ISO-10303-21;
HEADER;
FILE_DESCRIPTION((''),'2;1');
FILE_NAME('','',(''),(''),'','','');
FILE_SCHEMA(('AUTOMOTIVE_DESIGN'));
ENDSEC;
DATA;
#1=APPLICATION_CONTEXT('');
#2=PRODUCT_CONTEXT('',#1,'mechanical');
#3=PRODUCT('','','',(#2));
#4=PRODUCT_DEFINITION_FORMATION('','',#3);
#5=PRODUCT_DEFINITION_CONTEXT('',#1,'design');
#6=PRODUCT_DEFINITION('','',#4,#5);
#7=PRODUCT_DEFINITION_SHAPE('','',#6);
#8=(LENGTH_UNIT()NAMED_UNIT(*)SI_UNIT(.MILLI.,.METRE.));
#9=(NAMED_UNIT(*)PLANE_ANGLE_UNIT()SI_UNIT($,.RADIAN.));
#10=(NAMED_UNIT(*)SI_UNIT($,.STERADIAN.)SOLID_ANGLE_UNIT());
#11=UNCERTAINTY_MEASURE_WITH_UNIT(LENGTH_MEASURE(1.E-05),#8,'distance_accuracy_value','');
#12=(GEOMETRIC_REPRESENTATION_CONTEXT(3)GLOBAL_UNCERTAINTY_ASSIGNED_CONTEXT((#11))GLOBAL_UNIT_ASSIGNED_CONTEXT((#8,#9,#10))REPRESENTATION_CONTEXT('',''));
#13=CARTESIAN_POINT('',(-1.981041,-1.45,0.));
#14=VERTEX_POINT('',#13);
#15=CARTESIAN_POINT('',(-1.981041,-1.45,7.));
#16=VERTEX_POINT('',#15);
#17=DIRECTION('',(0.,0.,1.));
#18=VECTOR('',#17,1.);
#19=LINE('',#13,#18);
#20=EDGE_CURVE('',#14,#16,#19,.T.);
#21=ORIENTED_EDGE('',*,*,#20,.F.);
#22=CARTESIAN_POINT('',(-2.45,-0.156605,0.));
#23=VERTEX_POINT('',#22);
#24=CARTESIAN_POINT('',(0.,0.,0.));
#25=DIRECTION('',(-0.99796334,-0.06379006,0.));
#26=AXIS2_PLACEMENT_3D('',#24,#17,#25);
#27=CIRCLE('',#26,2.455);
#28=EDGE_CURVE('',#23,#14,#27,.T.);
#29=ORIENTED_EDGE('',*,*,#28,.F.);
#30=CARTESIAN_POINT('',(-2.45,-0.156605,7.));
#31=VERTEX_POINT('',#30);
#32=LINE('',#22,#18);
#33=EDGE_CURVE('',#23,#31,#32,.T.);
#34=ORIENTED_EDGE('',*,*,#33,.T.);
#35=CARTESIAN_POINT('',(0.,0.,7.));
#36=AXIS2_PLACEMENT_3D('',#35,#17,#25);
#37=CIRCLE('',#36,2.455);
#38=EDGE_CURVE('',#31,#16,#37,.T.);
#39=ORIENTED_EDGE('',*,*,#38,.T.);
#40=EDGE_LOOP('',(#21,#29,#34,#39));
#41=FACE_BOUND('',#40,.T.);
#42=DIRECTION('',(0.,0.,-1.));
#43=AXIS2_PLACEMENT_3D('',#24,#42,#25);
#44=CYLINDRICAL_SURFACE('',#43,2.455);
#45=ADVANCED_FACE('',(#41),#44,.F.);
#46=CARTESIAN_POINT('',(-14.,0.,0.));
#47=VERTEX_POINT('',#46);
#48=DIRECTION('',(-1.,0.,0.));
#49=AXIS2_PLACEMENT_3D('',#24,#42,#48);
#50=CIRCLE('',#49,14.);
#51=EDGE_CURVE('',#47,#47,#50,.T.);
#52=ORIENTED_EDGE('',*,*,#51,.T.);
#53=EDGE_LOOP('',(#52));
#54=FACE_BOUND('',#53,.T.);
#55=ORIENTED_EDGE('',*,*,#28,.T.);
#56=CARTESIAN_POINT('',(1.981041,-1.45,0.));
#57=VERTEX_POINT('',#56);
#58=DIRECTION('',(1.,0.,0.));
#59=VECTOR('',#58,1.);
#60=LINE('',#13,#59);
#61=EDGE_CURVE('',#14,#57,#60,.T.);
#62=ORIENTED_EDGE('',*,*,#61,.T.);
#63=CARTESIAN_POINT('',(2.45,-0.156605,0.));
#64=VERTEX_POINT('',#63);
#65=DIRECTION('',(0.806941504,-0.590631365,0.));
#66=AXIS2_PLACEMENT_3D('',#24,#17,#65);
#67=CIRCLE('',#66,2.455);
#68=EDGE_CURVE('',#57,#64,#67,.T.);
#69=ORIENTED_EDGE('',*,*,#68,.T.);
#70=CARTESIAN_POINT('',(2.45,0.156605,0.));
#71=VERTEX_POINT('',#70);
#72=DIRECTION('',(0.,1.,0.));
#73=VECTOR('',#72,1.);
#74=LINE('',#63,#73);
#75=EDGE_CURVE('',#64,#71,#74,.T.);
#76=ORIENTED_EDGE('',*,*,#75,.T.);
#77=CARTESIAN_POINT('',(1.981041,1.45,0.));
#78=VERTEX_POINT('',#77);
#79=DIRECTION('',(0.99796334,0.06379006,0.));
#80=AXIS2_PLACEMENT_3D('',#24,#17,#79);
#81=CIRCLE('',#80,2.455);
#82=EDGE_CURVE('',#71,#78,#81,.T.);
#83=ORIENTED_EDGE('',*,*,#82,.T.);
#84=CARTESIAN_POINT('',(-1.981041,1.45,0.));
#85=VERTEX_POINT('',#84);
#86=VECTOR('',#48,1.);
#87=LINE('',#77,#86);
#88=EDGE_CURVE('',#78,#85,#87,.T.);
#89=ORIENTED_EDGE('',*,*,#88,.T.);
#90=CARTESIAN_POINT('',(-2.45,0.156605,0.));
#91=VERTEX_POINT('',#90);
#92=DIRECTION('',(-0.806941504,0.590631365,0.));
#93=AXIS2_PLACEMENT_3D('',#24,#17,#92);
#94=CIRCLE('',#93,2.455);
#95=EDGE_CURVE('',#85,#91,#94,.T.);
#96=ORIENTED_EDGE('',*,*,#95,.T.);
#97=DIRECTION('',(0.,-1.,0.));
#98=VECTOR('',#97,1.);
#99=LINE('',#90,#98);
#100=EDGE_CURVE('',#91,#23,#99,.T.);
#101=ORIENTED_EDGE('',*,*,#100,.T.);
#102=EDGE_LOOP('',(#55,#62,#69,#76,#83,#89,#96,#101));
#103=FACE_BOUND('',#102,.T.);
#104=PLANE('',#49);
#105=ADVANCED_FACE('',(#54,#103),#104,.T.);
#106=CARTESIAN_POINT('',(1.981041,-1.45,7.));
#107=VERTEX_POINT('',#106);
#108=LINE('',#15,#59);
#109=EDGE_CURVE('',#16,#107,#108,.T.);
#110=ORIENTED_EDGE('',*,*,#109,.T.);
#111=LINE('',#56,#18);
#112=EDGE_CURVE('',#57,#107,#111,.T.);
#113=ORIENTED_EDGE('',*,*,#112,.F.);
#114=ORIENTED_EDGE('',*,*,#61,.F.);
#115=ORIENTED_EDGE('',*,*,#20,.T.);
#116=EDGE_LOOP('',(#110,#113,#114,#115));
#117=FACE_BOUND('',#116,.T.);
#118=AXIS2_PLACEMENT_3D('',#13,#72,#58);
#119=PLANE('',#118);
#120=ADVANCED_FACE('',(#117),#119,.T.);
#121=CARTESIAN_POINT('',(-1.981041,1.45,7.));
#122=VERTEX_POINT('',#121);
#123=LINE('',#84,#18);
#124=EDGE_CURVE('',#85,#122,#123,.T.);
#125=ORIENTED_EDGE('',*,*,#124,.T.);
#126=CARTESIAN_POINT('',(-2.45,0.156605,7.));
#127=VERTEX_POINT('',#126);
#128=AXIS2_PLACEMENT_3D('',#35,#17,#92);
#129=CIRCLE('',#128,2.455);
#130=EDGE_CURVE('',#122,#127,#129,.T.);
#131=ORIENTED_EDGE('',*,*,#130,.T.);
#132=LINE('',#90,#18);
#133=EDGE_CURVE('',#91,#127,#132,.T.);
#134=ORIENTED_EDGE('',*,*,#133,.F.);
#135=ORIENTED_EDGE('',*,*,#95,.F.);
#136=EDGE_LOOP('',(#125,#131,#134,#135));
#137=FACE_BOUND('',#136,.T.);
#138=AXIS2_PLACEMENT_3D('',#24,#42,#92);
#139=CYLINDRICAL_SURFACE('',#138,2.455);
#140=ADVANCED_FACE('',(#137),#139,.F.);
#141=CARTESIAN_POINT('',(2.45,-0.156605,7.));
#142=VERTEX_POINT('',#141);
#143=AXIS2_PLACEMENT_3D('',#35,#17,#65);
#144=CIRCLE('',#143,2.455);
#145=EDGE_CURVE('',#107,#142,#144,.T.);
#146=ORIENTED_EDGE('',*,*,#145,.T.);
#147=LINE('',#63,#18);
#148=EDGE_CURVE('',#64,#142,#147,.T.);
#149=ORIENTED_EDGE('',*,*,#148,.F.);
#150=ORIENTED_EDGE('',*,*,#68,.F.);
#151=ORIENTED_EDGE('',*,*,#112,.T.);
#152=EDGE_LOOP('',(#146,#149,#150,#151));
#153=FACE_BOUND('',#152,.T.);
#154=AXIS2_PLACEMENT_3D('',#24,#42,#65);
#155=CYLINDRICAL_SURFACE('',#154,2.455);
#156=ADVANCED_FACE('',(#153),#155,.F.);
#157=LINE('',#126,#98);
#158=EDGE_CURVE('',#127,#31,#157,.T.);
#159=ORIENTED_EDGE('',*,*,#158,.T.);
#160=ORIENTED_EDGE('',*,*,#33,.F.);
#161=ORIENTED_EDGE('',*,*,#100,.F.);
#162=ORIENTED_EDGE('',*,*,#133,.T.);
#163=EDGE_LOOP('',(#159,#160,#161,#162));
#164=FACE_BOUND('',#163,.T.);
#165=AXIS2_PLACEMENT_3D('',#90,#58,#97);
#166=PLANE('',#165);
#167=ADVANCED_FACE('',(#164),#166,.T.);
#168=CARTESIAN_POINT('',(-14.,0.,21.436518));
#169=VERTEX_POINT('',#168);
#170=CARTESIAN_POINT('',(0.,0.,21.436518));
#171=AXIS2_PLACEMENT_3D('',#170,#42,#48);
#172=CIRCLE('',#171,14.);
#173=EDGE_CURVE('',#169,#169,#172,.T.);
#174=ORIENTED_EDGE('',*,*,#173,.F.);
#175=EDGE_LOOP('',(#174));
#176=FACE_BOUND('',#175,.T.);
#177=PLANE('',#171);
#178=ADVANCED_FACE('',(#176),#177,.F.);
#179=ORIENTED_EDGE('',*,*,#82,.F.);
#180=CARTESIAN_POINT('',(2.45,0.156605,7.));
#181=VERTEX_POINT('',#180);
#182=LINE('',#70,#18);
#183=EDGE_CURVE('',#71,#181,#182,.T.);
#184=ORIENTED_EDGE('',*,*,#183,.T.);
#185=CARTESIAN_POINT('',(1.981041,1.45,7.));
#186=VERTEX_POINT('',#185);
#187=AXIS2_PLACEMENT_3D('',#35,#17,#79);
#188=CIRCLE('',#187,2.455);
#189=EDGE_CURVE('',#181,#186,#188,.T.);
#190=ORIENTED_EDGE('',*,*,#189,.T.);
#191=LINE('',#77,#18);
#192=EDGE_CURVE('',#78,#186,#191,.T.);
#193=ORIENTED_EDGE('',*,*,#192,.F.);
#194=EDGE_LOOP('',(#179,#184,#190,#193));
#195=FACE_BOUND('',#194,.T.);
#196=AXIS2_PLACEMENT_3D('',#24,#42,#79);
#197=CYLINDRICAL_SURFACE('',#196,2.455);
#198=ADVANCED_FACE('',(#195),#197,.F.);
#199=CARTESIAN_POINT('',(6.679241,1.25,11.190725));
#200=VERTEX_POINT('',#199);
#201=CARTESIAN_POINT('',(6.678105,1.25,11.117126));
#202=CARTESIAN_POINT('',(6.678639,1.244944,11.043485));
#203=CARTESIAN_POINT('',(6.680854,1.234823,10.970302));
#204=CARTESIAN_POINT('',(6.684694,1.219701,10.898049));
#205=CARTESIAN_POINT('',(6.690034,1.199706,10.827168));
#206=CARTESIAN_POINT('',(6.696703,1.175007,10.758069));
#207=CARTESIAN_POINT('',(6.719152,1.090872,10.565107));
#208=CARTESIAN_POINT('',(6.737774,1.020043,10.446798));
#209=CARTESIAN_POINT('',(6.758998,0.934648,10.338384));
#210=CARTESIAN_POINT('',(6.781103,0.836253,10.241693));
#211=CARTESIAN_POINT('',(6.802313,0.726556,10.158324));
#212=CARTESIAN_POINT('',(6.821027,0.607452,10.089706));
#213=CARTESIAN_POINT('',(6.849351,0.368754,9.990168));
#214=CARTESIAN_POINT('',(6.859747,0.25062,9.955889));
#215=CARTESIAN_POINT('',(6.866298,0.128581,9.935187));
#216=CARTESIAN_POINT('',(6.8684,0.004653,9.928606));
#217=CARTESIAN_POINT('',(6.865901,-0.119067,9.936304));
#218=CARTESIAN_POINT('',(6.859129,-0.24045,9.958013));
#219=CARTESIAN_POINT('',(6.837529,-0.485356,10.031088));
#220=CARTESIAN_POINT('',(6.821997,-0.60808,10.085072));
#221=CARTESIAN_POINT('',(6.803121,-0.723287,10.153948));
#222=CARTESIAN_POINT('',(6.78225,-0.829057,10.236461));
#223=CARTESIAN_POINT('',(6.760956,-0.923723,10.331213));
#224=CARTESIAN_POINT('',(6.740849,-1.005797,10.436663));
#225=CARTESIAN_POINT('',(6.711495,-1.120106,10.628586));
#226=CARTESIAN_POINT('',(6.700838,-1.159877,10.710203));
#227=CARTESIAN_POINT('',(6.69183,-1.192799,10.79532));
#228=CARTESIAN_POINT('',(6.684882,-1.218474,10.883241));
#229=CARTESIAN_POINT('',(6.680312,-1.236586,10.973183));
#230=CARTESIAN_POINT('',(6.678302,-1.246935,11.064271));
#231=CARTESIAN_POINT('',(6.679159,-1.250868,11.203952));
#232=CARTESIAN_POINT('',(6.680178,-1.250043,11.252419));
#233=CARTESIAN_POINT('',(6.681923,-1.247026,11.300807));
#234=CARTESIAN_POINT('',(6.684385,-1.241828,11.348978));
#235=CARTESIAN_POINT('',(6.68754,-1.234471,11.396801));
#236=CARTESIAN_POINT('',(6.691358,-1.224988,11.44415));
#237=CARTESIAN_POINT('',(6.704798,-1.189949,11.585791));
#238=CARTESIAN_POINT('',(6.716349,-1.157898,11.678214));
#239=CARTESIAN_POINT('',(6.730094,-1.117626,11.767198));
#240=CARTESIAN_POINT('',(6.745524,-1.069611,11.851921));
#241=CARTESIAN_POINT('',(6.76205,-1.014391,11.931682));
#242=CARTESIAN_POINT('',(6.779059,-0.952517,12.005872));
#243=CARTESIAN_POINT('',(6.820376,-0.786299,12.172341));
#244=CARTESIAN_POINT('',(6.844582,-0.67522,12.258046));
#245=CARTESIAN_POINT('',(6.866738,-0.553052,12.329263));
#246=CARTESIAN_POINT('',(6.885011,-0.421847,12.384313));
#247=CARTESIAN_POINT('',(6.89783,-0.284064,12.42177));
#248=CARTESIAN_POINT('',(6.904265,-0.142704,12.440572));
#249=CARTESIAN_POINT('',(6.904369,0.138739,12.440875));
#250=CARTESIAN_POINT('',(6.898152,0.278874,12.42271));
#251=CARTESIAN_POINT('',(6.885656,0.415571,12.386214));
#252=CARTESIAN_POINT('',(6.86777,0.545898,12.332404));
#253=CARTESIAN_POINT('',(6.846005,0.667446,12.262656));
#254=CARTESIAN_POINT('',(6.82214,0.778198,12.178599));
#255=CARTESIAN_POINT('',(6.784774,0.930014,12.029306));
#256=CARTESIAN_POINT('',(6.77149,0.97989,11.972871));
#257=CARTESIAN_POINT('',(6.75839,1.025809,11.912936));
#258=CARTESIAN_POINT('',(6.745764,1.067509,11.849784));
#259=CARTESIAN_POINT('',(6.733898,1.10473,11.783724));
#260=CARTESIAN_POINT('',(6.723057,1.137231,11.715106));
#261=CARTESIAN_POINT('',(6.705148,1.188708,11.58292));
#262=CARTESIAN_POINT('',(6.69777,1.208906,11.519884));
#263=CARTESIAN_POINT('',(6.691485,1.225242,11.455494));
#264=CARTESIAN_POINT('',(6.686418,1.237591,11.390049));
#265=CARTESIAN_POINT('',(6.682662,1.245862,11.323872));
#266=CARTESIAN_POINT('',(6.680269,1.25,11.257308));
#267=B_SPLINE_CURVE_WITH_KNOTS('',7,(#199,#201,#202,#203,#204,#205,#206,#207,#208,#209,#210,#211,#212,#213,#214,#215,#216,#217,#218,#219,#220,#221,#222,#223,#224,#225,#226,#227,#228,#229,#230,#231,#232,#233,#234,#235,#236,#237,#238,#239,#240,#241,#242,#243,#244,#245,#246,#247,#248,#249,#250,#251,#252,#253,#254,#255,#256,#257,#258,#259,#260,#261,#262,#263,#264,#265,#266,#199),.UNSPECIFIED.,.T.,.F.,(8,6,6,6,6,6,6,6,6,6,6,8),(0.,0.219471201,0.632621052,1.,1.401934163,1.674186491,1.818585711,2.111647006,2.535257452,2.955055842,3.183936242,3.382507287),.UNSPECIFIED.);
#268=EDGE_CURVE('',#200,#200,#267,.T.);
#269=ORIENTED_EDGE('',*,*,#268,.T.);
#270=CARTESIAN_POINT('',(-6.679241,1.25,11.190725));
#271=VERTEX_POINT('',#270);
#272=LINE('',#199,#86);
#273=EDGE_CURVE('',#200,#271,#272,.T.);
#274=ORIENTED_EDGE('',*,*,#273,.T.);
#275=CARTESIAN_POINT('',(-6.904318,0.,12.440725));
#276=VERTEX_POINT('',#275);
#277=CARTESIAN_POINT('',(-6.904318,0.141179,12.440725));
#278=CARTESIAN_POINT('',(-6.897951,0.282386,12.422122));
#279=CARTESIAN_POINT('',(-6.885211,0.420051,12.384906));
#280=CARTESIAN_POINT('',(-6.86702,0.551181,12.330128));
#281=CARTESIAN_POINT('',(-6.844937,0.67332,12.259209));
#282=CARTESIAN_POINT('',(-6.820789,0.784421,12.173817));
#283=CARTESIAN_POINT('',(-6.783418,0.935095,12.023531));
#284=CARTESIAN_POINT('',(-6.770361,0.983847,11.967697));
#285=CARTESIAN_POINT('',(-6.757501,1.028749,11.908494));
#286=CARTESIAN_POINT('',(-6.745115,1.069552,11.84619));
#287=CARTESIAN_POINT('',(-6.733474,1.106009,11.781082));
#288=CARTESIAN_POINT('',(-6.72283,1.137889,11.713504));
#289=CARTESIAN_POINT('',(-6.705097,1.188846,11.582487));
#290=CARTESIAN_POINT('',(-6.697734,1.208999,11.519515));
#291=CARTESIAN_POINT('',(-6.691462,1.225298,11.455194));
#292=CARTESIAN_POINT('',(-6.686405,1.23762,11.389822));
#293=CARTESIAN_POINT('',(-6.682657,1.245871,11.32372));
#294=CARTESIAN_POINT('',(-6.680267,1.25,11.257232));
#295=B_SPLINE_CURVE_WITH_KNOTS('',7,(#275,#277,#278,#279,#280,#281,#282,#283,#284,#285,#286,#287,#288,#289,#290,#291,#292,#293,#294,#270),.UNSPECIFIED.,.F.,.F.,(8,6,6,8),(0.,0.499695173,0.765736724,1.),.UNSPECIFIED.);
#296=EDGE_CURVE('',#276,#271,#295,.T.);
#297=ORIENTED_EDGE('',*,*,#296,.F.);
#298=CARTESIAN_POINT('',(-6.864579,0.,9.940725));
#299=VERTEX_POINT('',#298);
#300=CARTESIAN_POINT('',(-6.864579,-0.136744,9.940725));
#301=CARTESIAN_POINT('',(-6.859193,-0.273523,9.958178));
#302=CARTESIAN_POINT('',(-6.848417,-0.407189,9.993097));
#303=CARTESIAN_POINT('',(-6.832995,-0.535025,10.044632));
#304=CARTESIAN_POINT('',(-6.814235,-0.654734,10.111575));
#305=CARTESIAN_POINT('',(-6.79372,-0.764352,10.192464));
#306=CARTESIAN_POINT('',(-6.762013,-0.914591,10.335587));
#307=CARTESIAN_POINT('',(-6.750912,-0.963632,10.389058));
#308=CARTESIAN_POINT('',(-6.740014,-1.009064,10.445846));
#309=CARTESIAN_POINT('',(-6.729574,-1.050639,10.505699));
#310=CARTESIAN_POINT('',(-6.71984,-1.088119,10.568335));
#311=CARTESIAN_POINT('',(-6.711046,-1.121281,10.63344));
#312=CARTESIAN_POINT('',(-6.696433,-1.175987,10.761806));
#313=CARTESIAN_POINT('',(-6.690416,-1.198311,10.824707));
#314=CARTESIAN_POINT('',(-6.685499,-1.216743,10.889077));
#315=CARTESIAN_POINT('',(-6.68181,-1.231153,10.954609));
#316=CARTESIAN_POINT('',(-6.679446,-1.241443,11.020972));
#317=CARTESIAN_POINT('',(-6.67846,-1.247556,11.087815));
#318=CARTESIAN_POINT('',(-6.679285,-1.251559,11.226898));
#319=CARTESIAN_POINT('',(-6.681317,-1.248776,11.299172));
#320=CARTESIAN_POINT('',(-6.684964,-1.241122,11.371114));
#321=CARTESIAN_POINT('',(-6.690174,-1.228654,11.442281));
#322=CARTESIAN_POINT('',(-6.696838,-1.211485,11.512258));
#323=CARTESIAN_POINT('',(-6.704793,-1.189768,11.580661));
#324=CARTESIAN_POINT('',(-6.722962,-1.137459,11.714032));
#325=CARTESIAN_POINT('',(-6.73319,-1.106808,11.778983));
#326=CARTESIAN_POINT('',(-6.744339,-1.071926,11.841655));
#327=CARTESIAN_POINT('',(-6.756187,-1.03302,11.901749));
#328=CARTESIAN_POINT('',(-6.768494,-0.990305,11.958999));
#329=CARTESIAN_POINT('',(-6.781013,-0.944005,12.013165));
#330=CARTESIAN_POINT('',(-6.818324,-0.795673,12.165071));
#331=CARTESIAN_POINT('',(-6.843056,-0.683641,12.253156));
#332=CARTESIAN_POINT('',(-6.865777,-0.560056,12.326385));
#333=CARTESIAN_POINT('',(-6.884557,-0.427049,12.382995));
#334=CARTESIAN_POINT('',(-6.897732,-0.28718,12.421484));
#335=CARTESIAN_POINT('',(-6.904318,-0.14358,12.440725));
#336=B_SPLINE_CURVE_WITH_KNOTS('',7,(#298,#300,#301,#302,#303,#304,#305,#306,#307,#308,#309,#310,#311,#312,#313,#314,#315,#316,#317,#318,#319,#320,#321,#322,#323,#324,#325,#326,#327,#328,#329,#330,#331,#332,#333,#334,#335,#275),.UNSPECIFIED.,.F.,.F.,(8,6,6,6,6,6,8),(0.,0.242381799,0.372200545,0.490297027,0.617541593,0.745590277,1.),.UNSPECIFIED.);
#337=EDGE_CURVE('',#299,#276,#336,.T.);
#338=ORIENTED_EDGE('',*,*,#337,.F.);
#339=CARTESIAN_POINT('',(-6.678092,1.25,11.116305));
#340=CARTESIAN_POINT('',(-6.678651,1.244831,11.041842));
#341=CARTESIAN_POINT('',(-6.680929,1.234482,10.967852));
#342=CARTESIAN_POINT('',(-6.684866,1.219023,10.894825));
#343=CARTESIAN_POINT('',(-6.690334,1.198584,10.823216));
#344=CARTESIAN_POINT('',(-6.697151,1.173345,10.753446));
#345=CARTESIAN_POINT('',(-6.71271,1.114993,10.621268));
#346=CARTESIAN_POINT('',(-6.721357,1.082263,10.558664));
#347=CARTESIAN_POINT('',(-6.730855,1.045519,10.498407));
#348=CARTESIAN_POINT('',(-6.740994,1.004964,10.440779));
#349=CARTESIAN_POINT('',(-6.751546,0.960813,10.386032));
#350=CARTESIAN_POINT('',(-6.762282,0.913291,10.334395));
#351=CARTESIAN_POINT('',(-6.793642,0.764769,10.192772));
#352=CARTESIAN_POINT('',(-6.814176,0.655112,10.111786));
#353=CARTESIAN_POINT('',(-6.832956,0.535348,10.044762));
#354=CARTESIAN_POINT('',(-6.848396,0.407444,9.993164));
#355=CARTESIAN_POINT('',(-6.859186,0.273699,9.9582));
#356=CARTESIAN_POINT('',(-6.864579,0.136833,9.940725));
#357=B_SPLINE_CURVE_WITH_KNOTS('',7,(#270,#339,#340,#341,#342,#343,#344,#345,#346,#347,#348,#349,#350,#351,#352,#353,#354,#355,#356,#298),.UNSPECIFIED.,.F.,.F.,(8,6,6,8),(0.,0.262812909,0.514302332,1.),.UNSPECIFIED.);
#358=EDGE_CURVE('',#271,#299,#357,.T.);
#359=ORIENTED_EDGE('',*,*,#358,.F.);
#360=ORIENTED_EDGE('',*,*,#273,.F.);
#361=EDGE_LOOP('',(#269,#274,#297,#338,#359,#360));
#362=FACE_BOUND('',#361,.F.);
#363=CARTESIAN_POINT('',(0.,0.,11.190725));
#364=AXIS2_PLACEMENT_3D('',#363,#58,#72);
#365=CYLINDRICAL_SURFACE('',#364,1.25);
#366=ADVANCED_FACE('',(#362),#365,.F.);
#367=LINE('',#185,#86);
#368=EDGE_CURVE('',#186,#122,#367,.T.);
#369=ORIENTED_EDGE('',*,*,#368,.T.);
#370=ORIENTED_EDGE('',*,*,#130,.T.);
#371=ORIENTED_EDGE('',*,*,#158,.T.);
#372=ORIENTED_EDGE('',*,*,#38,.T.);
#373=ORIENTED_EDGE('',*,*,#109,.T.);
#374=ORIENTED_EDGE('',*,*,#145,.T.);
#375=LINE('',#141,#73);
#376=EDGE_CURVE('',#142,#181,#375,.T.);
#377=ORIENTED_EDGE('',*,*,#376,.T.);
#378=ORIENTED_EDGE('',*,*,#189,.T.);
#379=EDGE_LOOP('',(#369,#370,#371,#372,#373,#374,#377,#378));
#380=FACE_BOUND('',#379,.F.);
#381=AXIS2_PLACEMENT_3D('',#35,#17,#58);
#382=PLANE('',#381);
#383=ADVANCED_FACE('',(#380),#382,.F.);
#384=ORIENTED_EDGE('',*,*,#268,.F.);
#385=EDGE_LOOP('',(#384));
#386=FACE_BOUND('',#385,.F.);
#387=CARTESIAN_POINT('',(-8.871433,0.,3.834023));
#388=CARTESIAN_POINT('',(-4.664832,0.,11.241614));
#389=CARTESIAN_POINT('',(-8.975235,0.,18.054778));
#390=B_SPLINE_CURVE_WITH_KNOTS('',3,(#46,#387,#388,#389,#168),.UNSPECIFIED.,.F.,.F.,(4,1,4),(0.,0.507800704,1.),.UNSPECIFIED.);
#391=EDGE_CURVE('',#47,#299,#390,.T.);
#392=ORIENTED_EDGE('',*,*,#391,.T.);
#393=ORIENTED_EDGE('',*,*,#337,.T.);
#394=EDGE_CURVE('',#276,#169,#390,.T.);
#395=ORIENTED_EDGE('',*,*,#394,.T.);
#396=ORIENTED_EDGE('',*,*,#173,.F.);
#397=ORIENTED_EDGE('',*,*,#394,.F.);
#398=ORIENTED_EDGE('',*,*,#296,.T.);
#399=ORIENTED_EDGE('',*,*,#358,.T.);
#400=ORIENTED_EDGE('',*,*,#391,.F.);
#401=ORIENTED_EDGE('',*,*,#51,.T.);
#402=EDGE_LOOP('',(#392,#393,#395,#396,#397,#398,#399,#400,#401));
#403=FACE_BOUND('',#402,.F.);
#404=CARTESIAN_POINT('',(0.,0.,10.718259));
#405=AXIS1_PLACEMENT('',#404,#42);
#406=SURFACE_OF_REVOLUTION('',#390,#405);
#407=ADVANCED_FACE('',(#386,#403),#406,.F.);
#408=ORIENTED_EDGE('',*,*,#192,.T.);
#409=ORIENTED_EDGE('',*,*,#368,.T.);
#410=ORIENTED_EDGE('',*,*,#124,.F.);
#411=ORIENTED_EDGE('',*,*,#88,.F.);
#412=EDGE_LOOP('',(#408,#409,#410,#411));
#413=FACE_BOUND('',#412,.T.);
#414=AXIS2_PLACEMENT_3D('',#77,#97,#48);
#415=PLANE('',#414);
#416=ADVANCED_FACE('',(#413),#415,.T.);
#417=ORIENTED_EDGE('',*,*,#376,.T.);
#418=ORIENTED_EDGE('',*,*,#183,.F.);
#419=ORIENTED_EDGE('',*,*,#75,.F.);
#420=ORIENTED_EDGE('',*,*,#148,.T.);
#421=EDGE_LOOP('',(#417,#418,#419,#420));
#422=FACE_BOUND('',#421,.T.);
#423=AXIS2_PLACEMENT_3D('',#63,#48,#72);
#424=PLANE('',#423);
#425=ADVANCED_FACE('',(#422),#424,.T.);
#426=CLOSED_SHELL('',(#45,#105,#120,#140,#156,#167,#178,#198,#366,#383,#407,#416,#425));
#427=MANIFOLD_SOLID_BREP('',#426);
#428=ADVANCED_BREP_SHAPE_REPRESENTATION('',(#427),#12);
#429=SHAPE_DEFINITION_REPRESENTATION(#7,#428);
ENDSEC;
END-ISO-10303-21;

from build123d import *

# Parameters (mm, degrees)
F1_DEPTH = 7
F5_R     = 1.25
F6_DEPTH = 12.7
F7_DEPTH = 12.7


with BuildPart() as f1:
    # F0 (on Top) → F1 (new body)
    with BuildSketch(Plane.XY):
        with BuildLine():
            Line((2.45, -0.1566045976), (2.45, 0.1566045976))
            ThreePointArc((2.45, 0.1566045976), (2.3079752756, 0.8368244303), (1.9810413928, 1.45))
            Line((1.9810413928, 1.45), (-1.9810413928, 1.45))
            ThreePointArc((-1.9810413928, 1.45), (-2.3079752756, 0.8368244303), (-2.45, 0.1566045976))
            Line((-2.45, 0.1566045976), (-2.45, -0.1566045976))
            ThreePointArc((-2.45, -0.1566045976), (-2.3079752756, -0.8368244303), (-1.9810413928, -1.45))
            Line((-1.9810413928, -1.45), (1.9810413928, -1.45))
            ThreePointArc((1.9810413928, -1.45), (2.3079752756, -0.8368244303), (2.45, -0.1566045976))
        make_face()
    extrude(amount=F1_DEPTH)


with BuildPart() as f3:
    # F2 (on Front) → F3 (revolve)
    with BuildSketch(Plane.XZ):
        with BuildLine():
            Line((-14, 0), (0, 0))
            Line((0, 0), (0, 21.4365181362))
            Line((0, 21.4365181362), (-14, 21.4365181362))
            add(Edge.make_bspline(
                [(-14, 0), (-8.8714333251, 3.8340229075), (-4.6648319414, 11.2416137663), (-8.975234814, 18.0547777563), (-14, 21.4365181362)],
                knots=[0, 0, 0, 0, 0.5078007038, 1, 1, 1, 1], degree=3))
        make_face()
    revolve(axis=Axis((0, 0, 10.7182590681), (0, 0, -1)))

    # F4: cut F1
    add(f1.part, mode=Mode.SUBTRACT)

    # F5 (on Right) → F6 (cut)
    with BuildSketch(Plane.YZ):
        with Locations((0, 11.1907251761)):
            Circle(F5_R)
    extrude(amount=-F6_DEPTH, mode=Mode.SUBTRACT)

    # F5 (on Right) → F7 (cut)
    with BuildSketch(Plane.YZ):
        with Locations((0, 11.1907251761)):
            Circle(F5_R)
    extrude(amount=F7_DEPTH, mode=Mode.SUBTRACT)


solid = f3.part
